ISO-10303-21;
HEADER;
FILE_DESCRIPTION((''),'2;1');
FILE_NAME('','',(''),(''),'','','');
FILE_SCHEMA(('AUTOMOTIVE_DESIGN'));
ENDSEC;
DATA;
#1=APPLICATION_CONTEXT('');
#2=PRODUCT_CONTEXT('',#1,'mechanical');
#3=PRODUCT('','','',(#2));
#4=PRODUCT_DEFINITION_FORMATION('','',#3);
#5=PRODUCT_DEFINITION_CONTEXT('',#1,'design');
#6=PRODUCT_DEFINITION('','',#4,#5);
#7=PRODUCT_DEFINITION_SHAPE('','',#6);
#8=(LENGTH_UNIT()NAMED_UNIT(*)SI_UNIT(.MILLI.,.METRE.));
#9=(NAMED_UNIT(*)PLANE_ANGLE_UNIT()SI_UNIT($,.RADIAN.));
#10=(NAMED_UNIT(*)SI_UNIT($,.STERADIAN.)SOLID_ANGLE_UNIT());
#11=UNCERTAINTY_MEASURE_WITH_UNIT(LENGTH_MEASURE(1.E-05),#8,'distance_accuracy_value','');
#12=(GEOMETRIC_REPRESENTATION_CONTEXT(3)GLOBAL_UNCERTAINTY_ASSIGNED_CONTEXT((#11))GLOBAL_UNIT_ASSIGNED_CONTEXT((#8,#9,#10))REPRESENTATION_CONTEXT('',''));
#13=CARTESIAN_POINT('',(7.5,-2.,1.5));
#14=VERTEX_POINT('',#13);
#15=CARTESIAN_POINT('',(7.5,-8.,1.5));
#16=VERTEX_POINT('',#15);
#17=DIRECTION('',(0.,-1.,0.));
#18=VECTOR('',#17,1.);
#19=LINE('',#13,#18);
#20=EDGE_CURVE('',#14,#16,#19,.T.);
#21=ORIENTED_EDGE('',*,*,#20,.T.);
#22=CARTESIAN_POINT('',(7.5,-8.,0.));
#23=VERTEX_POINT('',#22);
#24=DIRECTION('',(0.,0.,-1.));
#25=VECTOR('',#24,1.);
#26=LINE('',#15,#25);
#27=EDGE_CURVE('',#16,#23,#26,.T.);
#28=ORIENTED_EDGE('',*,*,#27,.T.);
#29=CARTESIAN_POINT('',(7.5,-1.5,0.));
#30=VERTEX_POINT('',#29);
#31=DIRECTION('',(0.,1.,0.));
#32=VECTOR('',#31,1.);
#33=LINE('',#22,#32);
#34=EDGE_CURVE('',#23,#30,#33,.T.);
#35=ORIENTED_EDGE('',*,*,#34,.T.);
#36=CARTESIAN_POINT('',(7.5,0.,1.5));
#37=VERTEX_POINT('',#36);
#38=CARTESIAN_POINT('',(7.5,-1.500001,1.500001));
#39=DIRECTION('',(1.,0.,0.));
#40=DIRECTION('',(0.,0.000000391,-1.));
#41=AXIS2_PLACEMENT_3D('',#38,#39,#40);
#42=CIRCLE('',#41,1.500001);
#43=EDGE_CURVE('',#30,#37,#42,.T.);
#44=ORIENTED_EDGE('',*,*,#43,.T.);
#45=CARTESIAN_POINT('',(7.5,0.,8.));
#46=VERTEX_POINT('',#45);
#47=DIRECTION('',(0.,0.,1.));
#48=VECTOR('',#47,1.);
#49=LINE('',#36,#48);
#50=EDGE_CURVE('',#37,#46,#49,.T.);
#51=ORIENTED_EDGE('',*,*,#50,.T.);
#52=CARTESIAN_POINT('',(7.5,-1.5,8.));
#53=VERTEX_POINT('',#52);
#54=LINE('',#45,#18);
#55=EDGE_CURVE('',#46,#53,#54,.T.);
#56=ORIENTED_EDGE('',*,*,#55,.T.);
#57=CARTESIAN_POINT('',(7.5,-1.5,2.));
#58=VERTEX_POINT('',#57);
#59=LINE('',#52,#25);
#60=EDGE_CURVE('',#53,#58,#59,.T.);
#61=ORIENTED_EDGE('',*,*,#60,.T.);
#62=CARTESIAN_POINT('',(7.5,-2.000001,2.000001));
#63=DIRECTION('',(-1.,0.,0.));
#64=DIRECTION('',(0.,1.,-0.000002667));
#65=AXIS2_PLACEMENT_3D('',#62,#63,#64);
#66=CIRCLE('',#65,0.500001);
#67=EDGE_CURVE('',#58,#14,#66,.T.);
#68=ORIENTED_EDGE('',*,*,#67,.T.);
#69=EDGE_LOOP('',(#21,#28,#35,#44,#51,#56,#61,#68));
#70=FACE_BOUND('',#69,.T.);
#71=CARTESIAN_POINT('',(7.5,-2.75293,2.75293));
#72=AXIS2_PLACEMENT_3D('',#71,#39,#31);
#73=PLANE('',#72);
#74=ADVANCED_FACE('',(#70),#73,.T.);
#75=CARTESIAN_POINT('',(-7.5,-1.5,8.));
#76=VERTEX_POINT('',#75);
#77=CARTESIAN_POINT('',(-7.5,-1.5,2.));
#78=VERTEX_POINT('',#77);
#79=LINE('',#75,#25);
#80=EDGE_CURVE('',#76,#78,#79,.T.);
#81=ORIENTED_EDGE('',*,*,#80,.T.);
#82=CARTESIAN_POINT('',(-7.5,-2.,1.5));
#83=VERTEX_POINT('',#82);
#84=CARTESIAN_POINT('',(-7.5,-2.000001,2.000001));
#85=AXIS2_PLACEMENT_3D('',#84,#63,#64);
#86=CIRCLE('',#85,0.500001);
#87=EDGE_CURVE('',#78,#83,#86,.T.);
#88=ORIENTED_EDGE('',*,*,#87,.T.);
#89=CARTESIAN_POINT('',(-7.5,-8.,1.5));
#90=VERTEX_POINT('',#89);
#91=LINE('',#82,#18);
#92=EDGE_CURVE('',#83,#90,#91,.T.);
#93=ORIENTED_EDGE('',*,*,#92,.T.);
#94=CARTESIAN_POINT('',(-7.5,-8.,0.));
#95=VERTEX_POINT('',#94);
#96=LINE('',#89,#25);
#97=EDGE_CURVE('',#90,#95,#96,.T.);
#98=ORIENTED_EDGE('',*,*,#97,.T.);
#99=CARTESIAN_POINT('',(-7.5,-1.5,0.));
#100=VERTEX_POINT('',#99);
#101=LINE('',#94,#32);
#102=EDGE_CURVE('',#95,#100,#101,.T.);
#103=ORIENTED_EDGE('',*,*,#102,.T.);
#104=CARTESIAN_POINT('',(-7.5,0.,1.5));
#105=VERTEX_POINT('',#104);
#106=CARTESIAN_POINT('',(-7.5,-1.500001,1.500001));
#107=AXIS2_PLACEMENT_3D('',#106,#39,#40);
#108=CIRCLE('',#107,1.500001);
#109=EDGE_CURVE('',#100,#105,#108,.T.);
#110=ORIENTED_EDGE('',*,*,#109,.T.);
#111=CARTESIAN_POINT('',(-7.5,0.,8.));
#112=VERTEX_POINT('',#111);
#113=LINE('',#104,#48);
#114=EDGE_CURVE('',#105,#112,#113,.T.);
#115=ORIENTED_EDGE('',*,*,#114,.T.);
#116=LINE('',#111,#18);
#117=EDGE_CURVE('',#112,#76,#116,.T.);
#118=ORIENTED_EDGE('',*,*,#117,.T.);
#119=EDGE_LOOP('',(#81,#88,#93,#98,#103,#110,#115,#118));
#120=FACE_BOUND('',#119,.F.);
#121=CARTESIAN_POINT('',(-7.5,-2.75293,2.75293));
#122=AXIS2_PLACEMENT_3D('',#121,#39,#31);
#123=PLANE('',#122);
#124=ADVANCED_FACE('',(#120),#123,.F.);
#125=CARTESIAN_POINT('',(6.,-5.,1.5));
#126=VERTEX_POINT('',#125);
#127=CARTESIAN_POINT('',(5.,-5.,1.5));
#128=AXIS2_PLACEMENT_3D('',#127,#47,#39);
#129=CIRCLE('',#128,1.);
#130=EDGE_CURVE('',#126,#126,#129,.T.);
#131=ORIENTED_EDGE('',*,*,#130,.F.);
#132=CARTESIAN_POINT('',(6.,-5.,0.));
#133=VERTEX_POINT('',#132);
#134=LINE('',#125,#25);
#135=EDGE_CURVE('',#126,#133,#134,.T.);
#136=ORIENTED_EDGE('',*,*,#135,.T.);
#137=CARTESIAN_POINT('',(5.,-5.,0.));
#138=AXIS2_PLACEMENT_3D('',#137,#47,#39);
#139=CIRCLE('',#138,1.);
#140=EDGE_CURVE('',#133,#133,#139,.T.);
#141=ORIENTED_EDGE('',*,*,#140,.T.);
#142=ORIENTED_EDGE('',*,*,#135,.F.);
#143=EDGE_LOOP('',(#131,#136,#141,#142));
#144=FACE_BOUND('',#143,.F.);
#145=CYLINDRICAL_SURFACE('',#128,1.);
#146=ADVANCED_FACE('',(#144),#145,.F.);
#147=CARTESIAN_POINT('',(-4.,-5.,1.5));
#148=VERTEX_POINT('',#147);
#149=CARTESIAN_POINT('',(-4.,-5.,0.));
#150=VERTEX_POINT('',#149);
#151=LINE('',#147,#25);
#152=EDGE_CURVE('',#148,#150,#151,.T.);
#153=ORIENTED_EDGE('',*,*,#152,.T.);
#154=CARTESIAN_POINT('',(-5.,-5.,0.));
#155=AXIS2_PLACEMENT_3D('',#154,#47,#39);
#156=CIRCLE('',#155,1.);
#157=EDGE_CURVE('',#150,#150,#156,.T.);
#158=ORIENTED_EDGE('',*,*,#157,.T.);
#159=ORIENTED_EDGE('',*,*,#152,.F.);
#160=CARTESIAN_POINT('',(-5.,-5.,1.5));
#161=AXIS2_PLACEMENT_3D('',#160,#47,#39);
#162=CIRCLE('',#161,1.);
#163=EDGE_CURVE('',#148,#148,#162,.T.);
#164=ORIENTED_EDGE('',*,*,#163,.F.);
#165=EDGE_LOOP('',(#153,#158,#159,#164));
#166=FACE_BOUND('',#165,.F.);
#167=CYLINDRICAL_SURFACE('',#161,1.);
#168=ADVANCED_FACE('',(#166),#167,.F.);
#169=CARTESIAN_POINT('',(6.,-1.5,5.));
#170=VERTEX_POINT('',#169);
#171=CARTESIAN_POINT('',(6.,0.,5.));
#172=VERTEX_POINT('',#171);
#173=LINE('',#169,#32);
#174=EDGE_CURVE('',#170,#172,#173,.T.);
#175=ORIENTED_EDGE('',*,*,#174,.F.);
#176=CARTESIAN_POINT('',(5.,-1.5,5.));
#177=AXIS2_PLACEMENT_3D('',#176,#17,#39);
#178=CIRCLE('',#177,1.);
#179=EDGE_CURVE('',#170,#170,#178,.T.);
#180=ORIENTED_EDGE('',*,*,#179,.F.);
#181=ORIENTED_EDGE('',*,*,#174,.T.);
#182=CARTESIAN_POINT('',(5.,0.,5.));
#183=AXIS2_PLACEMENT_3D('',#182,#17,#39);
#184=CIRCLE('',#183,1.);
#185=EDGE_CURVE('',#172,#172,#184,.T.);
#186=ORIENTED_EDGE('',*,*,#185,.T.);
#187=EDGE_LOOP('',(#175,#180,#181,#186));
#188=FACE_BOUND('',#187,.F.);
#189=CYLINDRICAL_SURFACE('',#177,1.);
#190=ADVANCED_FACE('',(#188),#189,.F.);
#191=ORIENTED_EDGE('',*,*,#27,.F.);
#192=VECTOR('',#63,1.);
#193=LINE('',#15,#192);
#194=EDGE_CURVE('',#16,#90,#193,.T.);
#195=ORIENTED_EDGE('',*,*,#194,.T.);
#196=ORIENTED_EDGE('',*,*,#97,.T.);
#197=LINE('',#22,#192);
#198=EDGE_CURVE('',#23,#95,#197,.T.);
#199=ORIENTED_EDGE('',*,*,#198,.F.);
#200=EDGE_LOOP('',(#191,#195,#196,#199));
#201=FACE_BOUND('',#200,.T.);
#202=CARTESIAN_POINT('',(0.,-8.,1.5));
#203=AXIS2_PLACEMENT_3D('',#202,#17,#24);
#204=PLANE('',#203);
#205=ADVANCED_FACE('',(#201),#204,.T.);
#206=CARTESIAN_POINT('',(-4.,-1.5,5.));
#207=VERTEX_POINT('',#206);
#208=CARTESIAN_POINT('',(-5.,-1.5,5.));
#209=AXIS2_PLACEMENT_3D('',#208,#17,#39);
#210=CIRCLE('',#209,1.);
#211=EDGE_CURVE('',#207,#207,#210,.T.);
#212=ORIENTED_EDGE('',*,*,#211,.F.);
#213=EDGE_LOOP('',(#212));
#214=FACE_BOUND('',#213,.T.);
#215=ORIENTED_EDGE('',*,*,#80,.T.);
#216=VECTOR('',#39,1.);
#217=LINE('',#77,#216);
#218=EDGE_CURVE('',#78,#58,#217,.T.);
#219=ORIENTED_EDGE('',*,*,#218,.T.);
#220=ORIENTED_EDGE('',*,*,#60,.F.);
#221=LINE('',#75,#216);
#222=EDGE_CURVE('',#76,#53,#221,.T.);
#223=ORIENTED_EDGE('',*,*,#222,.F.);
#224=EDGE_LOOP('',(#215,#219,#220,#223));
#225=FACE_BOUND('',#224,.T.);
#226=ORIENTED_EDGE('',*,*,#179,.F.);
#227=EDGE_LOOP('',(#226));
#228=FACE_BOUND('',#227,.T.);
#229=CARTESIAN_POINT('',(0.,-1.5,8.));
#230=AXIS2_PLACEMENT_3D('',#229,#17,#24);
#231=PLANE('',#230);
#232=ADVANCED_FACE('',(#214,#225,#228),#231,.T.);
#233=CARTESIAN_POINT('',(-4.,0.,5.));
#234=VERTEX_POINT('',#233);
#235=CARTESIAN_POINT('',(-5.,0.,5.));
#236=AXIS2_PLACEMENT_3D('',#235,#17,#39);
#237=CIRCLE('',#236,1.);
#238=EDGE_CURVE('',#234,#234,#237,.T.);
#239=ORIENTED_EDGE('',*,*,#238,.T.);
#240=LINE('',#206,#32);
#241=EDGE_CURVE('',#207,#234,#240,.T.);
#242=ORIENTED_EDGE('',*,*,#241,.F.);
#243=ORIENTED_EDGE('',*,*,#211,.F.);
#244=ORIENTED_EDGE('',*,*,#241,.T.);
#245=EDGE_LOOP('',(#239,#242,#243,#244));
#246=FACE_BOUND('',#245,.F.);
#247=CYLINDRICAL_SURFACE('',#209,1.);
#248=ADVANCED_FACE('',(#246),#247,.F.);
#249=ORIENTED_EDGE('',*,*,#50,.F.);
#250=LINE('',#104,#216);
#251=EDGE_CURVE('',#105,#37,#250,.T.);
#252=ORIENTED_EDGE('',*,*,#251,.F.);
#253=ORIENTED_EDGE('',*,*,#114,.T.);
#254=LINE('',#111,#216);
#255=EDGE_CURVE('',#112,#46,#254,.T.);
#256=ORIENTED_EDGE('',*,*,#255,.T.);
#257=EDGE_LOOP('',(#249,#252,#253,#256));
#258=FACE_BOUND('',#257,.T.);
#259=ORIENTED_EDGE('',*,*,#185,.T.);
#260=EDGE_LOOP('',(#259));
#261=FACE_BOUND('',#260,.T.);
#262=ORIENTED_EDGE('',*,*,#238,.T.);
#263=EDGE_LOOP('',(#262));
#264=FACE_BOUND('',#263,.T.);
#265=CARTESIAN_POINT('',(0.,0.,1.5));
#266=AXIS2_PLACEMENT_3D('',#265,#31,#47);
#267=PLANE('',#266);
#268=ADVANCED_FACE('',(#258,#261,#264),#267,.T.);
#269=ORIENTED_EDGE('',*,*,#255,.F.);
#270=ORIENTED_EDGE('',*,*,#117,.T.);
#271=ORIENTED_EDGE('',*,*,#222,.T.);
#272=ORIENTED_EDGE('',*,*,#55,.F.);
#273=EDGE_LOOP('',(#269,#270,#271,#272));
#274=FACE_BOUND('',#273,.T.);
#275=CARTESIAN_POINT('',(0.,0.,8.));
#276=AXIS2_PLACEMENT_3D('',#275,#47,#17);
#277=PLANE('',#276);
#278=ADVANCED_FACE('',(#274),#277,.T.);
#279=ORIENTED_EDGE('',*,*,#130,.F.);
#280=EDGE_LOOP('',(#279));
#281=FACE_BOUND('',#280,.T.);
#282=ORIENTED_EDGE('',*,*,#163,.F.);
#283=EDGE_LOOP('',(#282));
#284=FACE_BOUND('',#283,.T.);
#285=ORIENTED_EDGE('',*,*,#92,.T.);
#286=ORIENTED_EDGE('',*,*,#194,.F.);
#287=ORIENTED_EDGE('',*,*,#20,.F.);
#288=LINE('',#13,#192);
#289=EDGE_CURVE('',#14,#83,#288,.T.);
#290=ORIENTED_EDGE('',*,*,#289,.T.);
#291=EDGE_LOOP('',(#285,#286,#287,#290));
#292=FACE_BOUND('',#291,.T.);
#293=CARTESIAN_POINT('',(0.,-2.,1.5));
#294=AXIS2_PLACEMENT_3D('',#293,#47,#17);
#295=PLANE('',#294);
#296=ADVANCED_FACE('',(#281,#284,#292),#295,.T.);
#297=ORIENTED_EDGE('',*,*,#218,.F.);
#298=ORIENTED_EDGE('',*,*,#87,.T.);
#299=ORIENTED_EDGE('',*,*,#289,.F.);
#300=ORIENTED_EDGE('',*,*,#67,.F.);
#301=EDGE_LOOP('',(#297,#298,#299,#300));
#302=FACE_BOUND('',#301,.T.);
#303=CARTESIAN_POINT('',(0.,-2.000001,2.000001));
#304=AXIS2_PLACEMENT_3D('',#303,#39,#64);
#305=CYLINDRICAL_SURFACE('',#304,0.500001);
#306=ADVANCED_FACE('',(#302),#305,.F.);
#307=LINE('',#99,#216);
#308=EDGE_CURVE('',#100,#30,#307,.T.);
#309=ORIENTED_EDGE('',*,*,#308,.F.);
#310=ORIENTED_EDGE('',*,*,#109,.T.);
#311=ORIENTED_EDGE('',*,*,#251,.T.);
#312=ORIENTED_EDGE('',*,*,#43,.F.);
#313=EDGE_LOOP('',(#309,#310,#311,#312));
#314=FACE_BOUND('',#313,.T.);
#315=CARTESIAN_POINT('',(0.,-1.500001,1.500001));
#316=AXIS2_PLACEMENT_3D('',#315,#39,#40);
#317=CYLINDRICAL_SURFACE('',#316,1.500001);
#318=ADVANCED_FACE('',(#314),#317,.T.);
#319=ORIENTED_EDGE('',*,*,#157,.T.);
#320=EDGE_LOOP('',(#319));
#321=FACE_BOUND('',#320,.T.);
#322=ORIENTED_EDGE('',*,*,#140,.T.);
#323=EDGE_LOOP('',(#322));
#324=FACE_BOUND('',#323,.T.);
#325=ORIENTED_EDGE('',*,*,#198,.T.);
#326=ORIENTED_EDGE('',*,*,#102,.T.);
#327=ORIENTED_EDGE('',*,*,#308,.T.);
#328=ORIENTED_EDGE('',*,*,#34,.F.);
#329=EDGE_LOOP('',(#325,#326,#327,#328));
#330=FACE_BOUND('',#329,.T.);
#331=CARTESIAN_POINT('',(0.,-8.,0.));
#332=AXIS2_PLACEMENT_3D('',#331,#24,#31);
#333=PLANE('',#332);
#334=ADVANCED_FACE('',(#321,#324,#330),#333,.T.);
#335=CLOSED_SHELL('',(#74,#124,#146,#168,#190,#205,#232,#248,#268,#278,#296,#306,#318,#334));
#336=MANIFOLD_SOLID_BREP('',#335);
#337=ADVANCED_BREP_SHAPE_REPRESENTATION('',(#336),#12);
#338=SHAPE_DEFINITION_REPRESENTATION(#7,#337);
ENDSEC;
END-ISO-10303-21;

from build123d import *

# Parameters (mm, degrees)
F1_DEPTH = 7.5
F3_R     = 1
F4_DEPTH = 1.5
F2_R     = 1
F5_DEPTH = 1.5


with BuildPart() as f1:
    # F0 (on Right) → F1 (new body, symmetric)
    with BuildSketch(Plane.YZ):
        with BuildLine():
            Line((-8, 0), (-1.5, 0))
            ThreePointArc((-1.5, 0), (-0.43934, 0.43934), (0, 1.5))
            Line((0, 1.5), (0, 8))
            Line((0, 8), (-1.5, 8))
            Line((-1.5, 8), (-1.5, 2))
            ThreePointArc((-1.5, 2), (-1.646447, 1.646447), (-2, 1.5))
            Line((-2, 1.5), (-8, 1.5))
            Line((-8, 1.5), (-8, 0))
        make_face()
    extrude(amount=F1_DEPTH, both=True)

    # F3 (on face) → F4 (cut)
    with BuildSketch(Plane.XZ.offset(1.5)):
        with Locations((-5, 5)):
            Circle(F3_R)
        with Locations((5, 5)):
            Circle(F3_R)
    extrude(amount=-F4_DEPTH, mode=Mode.SUBTRACT)

    # F2 (on face) → F5 (cut)
    with BuildSketch(Plane.XY.offset(1.5)):
        with Locations((5, -5)):
            Circle(F2_R)
        with Locations((-5, -5)):
            Circle(F2_R)
    extrude(amount=-F5_DEPTH, mode=Mode.SUBTRACT)


solid = f1.part
